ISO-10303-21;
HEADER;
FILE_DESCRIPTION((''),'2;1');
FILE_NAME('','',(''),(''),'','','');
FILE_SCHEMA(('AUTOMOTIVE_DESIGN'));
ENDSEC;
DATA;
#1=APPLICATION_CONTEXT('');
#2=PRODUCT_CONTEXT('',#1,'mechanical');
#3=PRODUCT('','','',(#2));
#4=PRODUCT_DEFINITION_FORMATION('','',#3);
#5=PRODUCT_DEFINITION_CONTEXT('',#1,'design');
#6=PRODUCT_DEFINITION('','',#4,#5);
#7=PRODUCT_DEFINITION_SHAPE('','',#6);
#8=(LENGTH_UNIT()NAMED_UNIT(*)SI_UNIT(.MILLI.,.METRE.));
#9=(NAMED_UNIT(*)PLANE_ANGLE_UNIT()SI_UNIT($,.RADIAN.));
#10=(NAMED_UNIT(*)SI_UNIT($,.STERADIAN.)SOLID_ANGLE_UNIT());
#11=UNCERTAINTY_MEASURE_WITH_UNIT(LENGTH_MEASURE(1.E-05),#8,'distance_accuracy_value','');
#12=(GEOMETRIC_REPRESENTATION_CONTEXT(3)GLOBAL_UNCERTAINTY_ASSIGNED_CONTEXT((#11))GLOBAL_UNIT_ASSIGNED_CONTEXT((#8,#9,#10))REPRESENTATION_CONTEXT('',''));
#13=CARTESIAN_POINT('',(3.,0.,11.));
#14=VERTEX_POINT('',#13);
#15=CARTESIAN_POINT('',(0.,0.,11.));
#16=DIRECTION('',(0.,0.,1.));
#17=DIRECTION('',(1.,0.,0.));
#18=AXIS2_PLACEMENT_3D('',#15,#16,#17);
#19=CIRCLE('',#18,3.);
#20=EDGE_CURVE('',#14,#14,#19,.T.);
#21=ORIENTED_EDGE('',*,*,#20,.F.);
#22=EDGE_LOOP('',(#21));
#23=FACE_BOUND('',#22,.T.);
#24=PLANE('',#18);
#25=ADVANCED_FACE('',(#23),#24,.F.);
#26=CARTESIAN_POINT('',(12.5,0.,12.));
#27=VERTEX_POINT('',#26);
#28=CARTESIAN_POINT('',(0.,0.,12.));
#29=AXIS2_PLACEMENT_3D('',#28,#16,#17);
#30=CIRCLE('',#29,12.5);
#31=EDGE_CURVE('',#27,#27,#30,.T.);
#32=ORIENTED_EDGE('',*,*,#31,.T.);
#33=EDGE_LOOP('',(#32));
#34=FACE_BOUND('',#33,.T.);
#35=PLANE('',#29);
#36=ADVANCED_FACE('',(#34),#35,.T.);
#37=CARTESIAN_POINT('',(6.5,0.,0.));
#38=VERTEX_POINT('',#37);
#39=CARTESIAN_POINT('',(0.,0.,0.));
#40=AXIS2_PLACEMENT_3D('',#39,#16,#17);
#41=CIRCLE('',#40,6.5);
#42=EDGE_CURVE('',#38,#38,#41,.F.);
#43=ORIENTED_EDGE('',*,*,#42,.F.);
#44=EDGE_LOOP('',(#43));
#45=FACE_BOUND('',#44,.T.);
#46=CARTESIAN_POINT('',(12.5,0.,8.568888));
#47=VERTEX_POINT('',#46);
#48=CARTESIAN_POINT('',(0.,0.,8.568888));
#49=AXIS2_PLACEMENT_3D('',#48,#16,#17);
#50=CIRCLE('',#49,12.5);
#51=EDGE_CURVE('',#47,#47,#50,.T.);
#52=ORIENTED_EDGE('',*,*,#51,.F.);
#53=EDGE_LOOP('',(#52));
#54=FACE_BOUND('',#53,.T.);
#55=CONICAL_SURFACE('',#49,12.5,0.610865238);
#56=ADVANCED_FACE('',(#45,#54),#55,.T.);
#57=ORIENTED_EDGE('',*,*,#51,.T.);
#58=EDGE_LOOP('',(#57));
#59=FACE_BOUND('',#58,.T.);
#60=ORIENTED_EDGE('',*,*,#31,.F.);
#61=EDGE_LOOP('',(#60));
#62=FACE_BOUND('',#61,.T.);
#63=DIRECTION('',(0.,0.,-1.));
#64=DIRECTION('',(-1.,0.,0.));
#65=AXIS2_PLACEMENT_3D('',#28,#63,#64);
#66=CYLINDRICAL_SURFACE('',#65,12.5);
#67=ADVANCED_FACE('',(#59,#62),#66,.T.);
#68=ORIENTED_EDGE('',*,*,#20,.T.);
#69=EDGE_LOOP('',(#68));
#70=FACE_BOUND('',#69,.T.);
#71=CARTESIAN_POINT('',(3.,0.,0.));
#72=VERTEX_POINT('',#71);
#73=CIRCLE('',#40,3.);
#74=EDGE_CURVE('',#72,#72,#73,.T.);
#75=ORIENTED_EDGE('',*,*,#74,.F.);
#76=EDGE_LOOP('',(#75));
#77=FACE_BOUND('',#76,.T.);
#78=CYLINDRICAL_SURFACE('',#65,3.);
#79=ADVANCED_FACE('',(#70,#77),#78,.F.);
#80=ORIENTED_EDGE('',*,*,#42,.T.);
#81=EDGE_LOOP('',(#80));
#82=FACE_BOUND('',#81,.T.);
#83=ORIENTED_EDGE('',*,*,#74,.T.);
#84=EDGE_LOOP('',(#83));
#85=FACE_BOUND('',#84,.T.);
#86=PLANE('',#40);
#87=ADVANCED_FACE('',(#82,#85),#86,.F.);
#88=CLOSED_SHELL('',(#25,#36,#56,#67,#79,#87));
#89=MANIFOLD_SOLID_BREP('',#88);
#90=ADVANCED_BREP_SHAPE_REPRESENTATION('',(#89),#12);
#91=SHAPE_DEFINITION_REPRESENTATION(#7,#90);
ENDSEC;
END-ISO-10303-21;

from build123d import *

# Parameters (mm, degrees)
SKETCH1_R           = 12.5
SKETCH1_R_2         = 3
BOSS_EXTRUDE1_DEPTH = 12
SKETCH2_R           = 3
BOSS_EXTRUDE2_DEPTH = 1
CHAMFER1_SIZE       = 6
CHAMFER1_SIZE2      = 8.56888804


with BuildPart() as part:
    # Sketch1 → Boss-Extrude1 (new body)
    with BuildSketch(Plane.XY):
        Circle(SKETCH1_R)
        Circle(SKETCH1_R_2, mode=Mode.SUBTRACT)
    extrude(amount=BOSS_EXTRUDE1_DEPTH)

    # Sketch2 → Boss-Extrude2 (add)
    with BuildSketch(Plane.XY.offset(12)):
        Circle(SKETCH2_R)
    extrude(amount=-BOSS_EXTRUDE2_DEPTH)

    # Chamfer1
    chamfer1_edges = [part.edges().sort_by_distance(p)[0] for p in [
        (-12.5, 0, 0),
    ]]
    chamfer1_side = [part.faces().sort_by_distance(p)[0] for p in [
        (-12.146446609, 0, 0),
    ]]
    chamfer(chamfer1_edges, length=CHAMFER1_SIZE, length2=CHAMFER1_SIZE2, reference=chamfer1_side[0])


solid = part.part
